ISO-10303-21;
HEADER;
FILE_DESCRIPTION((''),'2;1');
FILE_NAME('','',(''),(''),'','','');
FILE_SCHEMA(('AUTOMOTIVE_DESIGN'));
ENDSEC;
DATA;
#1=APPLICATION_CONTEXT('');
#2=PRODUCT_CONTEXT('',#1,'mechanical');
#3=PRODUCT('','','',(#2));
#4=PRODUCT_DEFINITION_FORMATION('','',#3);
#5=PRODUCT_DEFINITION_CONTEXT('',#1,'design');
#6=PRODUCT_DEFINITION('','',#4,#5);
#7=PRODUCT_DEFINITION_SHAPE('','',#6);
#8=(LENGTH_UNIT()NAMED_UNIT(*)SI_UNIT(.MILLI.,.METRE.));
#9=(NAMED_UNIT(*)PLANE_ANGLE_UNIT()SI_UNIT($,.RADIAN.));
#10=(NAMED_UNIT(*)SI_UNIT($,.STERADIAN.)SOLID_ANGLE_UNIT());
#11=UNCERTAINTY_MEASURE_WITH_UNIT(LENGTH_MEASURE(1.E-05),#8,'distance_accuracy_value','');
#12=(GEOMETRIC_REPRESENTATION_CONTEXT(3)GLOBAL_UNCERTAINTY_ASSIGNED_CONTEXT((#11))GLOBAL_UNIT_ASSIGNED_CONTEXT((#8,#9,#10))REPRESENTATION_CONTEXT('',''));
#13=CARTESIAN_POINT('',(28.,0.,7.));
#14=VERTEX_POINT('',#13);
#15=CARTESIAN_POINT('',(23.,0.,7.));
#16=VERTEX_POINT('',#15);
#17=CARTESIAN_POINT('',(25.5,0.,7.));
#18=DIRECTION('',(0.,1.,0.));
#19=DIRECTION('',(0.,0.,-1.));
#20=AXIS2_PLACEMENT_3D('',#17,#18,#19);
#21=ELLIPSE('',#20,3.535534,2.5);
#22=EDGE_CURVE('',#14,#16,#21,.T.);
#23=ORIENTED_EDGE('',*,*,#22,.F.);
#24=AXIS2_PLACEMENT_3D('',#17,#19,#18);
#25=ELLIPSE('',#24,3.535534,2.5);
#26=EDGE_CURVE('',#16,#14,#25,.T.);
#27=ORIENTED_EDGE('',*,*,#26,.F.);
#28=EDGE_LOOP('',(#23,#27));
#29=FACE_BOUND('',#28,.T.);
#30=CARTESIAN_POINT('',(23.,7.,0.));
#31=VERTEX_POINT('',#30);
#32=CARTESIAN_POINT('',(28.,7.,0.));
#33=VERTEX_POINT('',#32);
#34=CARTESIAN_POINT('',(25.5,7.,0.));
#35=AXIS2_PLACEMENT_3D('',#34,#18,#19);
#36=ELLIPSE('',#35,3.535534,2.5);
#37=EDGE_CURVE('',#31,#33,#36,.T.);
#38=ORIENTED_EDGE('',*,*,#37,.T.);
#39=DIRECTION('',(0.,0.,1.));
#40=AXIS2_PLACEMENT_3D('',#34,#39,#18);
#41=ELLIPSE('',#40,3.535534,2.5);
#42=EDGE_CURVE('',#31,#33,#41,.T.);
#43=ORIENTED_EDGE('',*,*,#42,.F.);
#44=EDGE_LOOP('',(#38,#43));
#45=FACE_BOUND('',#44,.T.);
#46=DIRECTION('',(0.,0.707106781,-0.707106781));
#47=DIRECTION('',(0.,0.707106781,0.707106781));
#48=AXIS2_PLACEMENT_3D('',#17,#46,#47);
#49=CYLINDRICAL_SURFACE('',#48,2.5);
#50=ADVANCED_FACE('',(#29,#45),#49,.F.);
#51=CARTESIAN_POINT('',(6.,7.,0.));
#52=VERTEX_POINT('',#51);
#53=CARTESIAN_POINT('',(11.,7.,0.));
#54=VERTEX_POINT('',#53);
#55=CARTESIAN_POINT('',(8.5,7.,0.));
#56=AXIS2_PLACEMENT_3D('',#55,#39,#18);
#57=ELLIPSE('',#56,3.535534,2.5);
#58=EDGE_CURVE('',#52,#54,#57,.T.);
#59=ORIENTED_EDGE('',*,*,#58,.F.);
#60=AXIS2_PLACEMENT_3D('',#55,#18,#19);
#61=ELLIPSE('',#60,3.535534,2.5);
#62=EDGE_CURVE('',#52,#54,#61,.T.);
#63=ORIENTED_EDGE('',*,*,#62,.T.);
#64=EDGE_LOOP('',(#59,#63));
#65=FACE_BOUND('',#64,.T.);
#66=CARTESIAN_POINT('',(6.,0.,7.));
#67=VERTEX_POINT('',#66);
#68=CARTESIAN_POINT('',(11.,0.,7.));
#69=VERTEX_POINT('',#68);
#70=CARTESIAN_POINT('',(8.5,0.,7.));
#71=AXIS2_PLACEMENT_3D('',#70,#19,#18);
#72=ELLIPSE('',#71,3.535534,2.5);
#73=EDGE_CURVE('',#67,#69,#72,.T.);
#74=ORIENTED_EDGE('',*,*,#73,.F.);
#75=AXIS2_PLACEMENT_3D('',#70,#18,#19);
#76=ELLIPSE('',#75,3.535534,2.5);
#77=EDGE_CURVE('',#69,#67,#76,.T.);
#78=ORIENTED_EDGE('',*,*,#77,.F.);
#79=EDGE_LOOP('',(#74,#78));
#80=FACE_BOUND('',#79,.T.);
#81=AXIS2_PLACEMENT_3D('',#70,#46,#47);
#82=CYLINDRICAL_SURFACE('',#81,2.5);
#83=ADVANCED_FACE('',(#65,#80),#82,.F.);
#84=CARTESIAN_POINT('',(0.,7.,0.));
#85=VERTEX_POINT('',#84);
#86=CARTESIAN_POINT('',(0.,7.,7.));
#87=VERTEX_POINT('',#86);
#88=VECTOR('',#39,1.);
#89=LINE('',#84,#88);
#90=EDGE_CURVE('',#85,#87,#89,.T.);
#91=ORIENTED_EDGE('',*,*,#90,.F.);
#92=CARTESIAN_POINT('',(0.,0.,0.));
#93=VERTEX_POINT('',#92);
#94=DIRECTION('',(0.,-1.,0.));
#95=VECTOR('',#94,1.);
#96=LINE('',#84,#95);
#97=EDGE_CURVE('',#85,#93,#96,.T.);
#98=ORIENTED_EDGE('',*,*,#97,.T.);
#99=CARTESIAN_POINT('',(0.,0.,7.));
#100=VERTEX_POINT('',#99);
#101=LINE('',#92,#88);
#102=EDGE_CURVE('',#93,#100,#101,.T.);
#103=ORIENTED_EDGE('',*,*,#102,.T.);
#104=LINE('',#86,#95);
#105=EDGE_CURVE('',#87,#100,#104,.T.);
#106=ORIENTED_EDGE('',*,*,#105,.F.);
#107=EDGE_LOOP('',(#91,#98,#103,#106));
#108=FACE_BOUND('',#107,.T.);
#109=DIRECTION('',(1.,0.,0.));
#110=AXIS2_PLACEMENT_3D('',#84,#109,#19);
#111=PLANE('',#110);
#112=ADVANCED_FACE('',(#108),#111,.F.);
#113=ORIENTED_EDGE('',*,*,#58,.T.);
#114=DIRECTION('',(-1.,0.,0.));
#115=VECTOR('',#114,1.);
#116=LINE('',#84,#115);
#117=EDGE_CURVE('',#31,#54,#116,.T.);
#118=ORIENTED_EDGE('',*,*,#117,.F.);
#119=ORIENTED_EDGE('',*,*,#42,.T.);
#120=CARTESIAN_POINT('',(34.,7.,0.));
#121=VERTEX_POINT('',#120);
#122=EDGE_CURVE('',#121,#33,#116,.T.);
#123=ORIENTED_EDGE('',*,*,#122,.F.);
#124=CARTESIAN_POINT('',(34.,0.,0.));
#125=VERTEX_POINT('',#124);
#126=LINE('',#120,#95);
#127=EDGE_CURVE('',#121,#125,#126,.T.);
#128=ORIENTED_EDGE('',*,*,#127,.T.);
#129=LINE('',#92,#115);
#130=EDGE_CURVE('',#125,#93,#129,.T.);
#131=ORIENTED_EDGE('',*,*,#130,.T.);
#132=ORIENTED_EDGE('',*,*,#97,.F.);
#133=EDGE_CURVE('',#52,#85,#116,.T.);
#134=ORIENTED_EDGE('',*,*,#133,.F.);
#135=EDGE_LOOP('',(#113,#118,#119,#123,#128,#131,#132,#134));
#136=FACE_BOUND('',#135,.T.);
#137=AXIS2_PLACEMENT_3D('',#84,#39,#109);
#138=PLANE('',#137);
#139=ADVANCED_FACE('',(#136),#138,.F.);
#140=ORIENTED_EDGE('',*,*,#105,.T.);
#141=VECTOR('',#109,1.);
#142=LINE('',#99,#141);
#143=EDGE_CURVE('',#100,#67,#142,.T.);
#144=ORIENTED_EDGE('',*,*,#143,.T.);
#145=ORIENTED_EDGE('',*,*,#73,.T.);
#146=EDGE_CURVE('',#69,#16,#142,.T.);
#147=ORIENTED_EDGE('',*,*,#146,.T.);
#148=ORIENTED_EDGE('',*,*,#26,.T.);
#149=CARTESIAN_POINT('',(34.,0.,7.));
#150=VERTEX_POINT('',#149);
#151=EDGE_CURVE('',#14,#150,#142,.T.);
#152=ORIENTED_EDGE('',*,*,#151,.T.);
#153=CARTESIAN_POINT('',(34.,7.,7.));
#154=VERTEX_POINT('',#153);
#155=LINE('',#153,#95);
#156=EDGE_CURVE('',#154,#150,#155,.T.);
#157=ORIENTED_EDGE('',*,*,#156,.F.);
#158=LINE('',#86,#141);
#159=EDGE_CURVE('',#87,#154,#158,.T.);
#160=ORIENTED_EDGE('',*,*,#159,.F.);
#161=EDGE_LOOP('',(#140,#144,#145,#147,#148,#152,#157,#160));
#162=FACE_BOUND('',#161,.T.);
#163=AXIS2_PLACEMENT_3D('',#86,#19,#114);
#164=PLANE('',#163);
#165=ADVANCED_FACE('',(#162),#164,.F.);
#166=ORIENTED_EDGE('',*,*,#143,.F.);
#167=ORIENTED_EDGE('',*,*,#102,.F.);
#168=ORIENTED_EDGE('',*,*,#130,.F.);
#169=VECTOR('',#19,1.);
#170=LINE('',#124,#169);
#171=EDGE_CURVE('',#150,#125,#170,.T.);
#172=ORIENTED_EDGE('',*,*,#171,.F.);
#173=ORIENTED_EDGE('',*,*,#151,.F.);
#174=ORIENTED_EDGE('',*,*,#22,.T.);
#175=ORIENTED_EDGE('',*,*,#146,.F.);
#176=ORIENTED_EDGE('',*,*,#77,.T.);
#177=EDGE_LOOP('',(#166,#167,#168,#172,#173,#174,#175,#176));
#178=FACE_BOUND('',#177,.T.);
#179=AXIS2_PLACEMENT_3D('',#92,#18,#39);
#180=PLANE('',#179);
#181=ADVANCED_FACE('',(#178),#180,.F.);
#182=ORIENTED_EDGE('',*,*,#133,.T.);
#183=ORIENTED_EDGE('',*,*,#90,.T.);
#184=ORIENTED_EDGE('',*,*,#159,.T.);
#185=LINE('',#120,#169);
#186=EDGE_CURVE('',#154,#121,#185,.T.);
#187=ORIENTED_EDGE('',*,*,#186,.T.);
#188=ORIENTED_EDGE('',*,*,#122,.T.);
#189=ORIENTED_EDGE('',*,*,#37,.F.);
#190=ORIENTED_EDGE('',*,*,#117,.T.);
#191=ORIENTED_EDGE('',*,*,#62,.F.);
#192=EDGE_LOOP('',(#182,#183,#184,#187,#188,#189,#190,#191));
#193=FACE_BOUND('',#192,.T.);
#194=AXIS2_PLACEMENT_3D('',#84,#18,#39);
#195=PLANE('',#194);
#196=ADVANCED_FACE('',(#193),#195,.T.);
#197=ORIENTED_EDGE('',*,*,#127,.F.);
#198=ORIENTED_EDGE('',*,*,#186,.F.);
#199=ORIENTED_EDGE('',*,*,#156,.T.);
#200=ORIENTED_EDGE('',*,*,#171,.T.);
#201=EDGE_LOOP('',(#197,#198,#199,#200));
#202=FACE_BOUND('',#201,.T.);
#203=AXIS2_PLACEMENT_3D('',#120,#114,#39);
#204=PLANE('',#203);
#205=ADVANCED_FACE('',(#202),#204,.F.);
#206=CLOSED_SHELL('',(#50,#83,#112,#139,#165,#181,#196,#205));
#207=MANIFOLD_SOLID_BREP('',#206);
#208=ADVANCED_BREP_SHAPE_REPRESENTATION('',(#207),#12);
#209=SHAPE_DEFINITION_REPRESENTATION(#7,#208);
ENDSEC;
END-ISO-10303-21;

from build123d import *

# Parameters (mm, degrees)
SKETCH1_W               = 34
SKETCH1_H               = 7
BOSS_EXTRUDE1_DEPTH     = 7
SKETCH6_OUTSIDE_W       = 43.082
SKETCH6_OUTSIDE_H       = 18.981
SKETCH6_OUTSIDE_W_2     = 34
SKETCH6_OUTSIDE_H_2     = 9.899494937
SKETCH6_OUTSIDE_R       = 2.5
CUT_EXTRUDE2_DEPTH      = 5.949747468
CUT_EXTRUDE2_DEPTH_BACK = 5.949747468


with BuildPart() as part:
    # sketch1 → Boss-Extrude1 (new body)
    with BuildSketch(Plane(origin=(0, 0, 0), x_dir=(1, 0, 0), z_dir=(0, 1, 0))):
        with Locations((17, -3.5)):
            Rectangle(SKETCH1_W, SKETCH1_H)
    extrude(amount=BOSS_EXTRUDE1_DEPTH)

    # Sketch6 outside → Cut-Extrude2 (cut, two sides)
    with BuildSketch(Plane(origin=(0, 0, 0), x_dir=(-1, 0, 0), z_dir=(0, 0.707106781, -0.707106781))) as cut_extrude2_sk:
        with Locations((-17, 4.9495)):
            Rectangle(SKETCH6_OUTSIDE_W, SKETCH6_OUTSIDE_H)
        with Locations((-17, 4.949747469)):
            Rectangle(SKETCH6_OUTSIDE_W_2, SKETCH6_OUTSIDE_H_2, mode=Mode.SUBTRACT)
        with Locations((-25.5, 4.949747468)):
            Circle(SKETCH6_OUTSIDE_R)
        with Locations((-8.5, 4.949747468)):
            Circle(SKETCH6_OUTSIDE_R)
    extrude(amount=CUT_EXTRUDE2_DEPTH, mode=Mode.SUBTRACT)
    extrude(cut_extrude2_sk.sketch, amount=-CUT_EXTRUDE2_DEPTH_BACK, mode=Mode.SUBTRACT)


solid = part.part
